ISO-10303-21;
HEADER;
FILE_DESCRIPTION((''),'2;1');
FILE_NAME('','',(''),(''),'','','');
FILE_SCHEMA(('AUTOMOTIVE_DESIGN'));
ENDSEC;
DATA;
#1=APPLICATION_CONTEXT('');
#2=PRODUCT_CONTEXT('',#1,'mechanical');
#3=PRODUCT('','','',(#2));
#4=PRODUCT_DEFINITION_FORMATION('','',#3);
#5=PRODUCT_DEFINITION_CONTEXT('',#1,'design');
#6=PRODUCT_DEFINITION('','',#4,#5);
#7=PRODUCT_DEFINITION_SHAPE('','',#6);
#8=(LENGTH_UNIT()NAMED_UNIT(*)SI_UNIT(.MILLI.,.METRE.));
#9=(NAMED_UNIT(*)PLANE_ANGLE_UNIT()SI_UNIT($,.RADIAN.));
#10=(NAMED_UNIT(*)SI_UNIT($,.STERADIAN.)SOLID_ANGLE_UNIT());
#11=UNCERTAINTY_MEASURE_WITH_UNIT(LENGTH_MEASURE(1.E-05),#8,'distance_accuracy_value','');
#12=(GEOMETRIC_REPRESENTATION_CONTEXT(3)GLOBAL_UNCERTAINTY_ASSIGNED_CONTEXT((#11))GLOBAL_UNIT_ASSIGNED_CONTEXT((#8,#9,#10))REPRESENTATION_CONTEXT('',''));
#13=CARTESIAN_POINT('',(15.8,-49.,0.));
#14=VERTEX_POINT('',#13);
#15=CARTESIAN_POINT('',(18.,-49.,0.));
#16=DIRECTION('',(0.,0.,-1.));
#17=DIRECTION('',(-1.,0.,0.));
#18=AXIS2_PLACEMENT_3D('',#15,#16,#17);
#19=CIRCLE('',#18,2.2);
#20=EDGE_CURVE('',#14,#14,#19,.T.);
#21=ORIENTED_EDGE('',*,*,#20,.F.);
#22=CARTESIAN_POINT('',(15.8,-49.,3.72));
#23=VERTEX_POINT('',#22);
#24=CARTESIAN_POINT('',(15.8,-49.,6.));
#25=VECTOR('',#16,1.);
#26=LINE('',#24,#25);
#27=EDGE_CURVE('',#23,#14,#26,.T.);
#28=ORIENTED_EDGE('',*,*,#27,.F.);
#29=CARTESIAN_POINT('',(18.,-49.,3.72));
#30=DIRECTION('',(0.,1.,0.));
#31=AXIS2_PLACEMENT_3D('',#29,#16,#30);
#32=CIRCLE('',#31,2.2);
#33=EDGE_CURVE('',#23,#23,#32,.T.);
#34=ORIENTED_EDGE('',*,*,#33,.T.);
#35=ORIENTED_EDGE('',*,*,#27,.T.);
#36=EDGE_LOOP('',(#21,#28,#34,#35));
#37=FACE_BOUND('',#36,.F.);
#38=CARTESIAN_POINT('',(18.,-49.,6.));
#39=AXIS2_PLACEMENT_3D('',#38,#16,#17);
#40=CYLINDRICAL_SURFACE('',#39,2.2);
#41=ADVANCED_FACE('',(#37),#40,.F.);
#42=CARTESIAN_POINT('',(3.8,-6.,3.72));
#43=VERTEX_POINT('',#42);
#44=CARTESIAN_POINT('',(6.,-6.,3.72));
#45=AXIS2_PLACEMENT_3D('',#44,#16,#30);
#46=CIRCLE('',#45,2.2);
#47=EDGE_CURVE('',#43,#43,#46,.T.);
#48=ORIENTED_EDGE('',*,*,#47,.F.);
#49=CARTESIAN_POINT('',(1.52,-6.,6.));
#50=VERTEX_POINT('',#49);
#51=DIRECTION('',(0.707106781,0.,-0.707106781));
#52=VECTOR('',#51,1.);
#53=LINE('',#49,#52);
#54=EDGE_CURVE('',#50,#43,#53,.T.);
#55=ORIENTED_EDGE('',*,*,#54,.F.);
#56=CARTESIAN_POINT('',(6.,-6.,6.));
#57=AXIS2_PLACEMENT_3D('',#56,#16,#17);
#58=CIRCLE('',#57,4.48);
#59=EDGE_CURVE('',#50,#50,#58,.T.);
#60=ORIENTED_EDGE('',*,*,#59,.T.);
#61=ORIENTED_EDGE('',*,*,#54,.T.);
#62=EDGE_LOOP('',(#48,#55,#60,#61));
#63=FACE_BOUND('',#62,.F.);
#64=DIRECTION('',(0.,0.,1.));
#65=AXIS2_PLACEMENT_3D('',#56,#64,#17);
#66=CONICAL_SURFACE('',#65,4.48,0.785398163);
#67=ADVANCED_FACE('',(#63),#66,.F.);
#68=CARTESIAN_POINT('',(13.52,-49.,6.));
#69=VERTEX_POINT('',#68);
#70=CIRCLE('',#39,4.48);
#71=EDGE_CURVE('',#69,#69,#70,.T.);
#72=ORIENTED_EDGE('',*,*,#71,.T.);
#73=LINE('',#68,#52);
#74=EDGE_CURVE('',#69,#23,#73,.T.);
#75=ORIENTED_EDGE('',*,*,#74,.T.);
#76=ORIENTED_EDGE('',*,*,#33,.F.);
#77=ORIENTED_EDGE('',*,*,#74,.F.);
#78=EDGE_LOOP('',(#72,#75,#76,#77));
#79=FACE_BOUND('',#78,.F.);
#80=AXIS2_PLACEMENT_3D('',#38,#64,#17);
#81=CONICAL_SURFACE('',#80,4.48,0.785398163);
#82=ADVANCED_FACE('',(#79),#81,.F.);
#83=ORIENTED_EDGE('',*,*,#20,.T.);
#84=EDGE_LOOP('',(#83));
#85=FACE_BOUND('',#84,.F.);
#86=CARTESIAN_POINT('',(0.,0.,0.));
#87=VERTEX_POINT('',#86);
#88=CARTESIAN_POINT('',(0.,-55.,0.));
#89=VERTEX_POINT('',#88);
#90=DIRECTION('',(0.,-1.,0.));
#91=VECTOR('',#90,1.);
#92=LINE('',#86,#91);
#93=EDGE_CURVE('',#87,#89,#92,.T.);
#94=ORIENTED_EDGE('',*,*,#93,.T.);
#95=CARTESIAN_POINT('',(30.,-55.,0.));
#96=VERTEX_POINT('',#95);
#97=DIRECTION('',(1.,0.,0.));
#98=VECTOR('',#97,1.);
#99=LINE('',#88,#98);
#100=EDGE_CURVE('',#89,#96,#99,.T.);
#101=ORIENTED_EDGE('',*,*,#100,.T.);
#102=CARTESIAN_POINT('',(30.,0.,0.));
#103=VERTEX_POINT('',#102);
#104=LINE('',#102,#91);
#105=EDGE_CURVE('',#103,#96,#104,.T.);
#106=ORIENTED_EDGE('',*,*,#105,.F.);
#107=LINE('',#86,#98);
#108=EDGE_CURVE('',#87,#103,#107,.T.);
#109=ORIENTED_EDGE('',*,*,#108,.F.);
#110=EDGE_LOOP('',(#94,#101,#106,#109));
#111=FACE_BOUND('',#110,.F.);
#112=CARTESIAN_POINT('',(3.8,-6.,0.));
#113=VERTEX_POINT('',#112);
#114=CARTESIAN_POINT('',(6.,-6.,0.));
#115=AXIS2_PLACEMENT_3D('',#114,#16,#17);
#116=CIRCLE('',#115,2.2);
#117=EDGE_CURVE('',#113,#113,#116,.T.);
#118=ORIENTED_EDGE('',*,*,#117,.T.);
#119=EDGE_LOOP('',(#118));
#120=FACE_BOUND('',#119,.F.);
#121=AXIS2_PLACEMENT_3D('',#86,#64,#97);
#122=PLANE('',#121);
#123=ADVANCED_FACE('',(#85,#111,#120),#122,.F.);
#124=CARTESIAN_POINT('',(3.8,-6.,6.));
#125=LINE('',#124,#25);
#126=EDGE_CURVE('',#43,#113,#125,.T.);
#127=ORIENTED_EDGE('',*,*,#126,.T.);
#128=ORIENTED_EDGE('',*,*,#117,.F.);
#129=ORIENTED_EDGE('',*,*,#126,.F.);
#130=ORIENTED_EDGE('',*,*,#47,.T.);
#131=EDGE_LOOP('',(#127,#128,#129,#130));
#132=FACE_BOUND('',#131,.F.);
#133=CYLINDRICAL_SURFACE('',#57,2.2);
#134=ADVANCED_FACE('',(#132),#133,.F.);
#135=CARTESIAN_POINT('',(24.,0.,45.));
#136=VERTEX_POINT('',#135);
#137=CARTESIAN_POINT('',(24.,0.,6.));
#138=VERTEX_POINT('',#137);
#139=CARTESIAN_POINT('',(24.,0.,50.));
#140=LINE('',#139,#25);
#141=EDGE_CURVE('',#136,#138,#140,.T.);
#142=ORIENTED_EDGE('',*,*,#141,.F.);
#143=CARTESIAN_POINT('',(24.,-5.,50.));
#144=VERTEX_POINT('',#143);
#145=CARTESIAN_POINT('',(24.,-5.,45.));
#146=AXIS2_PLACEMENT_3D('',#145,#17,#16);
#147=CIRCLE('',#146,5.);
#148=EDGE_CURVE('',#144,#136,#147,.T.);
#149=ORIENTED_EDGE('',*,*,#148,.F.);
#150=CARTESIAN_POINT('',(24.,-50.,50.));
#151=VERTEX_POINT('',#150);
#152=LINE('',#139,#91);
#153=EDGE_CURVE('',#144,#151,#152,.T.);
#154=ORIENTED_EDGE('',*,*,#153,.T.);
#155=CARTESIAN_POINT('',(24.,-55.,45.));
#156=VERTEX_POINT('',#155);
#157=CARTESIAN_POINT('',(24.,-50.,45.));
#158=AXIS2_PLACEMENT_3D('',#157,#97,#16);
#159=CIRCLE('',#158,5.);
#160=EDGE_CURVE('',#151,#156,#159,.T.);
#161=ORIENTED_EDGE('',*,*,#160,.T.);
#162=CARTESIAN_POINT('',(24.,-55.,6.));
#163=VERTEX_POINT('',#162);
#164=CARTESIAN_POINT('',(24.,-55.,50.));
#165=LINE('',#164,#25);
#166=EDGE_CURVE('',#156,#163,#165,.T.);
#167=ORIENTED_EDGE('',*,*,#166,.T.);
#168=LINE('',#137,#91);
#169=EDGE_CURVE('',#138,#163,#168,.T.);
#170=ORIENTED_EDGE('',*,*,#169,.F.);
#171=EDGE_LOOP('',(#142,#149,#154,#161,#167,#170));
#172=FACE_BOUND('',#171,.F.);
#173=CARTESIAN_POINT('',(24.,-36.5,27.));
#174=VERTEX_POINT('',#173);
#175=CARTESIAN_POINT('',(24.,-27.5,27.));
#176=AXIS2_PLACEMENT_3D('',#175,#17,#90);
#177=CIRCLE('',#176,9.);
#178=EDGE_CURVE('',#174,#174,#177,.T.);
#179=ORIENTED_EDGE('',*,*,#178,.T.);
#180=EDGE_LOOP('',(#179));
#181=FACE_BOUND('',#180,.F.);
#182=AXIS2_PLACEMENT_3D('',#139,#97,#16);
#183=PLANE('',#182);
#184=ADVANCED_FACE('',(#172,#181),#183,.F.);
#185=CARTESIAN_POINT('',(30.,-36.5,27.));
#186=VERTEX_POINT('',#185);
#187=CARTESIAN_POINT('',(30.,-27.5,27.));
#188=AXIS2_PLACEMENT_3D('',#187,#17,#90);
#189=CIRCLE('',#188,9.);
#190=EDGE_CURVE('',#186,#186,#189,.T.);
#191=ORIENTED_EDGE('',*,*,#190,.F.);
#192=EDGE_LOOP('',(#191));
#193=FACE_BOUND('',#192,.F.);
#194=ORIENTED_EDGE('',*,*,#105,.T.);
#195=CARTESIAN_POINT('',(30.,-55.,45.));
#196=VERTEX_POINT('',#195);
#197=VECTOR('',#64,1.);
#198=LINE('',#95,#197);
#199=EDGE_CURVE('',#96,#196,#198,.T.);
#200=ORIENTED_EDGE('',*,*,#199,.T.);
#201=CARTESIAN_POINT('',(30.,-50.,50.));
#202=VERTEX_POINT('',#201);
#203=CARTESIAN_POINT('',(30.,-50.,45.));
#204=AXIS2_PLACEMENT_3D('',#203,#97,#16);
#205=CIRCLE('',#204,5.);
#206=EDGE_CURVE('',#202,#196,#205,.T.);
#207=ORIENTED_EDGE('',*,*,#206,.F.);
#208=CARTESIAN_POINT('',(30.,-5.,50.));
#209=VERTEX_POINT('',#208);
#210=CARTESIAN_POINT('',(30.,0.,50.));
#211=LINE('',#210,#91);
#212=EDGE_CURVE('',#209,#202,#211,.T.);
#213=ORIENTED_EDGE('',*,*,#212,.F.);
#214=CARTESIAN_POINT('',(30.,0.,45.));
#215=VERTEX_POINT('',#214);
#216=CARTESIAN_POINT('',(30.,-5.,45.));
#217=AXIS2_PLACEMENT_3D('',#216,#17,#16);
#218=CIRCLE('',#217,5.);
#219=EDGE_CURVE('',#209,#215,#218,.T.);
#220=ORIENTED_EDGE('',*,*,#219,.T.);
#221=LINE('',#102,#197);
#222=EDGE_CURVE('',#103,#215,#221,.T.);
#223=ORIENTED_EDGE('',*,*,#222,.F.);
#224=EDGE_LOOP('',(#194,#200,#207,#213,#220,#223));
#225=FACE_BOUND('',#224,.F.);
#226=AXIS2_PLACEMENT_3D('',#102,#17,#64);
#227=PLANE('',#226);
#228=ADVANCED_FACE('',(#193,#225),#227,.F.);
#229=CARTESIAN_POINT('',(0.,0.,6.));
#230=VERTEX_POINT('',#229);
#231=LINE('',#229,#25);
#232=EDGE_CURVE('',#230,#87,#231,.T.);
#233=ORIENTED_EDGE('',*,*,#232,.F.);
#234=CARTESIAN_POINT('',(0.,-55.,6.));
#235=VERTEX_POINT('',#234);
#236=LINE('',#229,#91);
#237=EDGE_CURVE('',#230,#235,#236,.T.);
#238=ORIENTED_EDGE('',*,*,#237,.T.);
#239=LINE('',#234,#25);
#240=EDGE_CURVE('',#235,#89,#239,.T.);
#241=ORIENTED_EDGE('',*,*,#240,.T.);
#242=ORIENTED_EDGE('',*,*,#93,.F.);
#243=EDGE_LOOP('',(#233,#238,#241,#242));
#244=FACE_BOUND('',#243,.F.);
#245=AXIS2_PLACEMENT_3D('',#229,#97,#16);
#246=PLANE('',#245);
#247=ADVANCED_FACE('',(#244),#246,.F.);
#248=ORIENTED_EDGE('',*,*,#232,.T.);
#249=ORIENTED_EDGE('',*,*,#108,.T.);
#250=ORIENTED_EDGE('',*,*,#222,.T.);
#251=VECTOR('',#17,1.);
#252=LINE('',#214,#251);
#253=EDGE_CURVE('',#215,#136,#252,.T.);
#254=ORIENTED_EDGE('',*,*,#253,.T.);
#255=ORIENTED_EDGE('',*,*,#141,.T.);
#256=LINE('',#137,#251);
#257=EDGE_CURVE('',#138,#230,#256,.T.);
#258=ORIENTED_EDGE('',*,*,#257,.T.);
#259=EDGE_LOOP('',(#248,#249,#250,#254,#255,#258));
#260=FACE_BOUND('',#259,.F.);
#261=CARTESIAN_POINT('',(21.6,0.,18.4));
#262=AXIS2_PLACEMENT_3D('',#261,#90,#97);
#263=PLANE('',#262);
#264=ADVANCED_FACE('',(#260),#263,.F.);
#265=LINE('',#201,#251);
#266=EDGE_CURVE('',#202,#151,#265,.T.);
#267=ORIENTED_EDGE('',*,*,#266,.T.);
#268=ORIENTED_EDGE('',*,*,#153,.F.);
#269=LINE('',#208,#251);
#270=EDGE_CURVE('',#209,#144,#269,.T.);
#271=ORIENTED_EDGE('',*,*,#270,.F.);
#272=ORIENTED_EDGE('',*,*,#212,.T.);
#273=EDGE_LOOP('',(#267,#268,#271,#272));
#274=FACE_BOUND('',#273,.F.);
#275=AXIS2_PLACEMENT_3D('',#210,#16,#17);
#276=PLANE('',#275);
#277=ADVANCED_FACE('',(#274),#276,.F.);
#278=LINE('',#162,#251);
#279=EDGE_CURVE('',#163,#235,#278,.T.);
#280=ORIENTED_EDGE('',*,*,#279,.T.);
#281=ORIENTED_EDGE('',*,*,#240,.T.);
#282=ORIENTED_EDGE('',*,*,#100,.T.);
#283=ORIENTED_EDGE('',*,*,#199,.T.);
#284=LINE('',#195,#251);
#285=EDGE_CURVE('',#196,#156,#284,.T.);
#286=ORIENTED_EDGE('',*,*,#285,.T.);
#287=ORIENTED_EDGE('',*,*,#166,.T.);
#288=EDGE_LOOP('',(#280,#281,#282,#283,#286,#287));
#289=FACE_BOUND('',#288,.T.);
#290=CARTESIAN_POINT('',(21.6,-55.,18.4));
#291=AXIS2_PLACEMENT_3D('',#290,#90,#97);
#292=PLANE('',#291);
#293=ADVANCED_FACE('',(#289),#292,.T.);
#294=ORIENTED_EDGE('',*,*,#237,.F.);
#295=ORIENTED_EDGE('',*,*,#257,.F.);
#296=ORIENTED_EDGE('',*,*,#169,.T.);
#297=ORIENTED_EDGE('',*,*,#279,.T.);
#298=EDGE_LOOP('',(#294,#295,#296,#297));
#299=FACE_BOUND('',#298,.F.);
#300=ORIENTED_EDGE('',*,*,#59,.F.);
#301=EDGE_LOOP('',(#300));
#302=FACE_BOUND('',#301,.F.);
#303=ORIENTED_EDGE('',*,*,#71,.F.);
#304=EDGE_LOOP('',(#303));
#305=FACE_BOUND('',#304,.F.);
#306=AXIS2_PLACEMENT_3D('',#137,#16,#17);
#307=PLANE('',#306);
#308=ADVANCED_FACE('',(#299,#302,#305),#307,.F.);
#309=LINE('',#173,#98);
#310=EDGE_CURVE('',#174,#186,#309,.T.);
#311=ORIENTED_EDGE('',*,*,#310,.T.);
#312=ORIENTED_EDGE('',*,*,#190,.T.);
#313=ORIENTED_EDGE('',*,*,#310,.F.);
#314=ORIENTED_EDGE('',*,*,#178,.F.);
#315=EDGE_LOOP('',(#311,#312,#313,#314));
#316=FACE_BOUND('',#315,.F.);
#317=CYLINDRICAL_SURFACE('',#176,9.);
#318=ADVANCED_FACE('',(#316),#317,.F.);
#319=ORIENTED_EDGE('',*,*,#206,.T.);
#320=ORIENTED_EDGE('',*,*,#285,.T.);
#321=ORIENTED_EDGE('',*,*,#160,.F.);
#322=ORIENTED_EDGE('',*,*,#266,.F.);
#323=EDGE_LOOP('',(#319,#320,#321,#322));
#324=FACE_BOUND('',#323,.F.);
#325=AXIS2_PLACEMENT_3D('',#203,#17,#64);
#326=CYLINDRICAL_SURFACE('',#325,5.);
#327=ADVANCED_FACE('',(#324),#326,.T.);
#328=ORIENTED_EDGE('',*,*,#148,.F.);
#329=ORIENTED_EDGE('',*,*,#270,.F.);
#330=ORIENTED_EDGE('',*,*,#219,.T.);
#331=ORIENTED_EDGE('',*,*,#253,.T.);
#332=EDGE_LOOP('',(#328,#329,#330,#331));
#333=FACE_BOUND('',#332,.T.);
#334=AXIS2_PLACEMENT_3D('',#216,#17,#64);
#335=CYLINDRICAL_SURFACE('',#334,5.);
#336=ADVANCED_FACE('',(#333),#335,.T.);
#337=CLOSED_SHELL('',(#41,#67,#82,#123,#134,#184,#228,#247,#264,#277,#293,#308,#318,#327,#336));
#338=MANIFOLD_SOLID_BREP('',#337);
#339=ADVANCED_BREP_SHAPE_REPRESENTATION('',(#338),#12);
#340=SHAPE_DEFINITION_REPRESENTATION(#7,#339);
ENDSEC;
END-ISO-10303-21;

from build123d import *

# Parameters (mm, degrees)
F1_DEPTH       = 55
F2_R           = 5
F3_R           = 9
F4_DEPTH       = 6.001
F6_D           = 4.4
F6_DEPTH       = 18
F6_CSINK_D     = 8.96
F6_CSINK_ANGLE = 90
F6_TIP         = 1.3218933619


with BuildPart() as f1:
    # F0 (on Front) → F1 (new body)
    with BuildSketch(Plane.XZ):
        Polygon((0, 6), (0, 0), (30, 0), (30, 50), (24, 50), (24, 6), align=None)
    extrude(amount=F1_DEPTH)

    # F2
    f2_edges = [f1.edges().sort_by_distance(p)[0] for p in [
        (27, -55, 50),
        (27, 0, 50),
    ]]
    fillet(f2_edges, radius=F2_R)

    # F3 (on face) → F4 (cut, through all)
    with BuildSketch(Plane(origin=(24, 0, 0), x_dir=(0, -1, 0), z_dir=(-1, 0, 0))):
        with Locations((27.5, 27)):
            Circle(F3_R)
    extrude(amount=-F4_DEPTH, mode=Mode.SUBTRACT)

    # F6
    with Locations(Plane.XY.offset(6)):
        with Locations((6, -6), (18, -49)):
            CounterSinkHole(F6_D / 2, F6_CSINK_D / 2, depth=F6_DEPTH, counter_sink_angle=F6_CSINK_ANGLE)
            with Locations((0, 0, -(F6_DEPTH + F6_TIP / 2))):  # 118° drill point
                Cone(0, F6_D / 2, F6_TIP, mode=Mode.SUBTRACT)


solid = f1.part
